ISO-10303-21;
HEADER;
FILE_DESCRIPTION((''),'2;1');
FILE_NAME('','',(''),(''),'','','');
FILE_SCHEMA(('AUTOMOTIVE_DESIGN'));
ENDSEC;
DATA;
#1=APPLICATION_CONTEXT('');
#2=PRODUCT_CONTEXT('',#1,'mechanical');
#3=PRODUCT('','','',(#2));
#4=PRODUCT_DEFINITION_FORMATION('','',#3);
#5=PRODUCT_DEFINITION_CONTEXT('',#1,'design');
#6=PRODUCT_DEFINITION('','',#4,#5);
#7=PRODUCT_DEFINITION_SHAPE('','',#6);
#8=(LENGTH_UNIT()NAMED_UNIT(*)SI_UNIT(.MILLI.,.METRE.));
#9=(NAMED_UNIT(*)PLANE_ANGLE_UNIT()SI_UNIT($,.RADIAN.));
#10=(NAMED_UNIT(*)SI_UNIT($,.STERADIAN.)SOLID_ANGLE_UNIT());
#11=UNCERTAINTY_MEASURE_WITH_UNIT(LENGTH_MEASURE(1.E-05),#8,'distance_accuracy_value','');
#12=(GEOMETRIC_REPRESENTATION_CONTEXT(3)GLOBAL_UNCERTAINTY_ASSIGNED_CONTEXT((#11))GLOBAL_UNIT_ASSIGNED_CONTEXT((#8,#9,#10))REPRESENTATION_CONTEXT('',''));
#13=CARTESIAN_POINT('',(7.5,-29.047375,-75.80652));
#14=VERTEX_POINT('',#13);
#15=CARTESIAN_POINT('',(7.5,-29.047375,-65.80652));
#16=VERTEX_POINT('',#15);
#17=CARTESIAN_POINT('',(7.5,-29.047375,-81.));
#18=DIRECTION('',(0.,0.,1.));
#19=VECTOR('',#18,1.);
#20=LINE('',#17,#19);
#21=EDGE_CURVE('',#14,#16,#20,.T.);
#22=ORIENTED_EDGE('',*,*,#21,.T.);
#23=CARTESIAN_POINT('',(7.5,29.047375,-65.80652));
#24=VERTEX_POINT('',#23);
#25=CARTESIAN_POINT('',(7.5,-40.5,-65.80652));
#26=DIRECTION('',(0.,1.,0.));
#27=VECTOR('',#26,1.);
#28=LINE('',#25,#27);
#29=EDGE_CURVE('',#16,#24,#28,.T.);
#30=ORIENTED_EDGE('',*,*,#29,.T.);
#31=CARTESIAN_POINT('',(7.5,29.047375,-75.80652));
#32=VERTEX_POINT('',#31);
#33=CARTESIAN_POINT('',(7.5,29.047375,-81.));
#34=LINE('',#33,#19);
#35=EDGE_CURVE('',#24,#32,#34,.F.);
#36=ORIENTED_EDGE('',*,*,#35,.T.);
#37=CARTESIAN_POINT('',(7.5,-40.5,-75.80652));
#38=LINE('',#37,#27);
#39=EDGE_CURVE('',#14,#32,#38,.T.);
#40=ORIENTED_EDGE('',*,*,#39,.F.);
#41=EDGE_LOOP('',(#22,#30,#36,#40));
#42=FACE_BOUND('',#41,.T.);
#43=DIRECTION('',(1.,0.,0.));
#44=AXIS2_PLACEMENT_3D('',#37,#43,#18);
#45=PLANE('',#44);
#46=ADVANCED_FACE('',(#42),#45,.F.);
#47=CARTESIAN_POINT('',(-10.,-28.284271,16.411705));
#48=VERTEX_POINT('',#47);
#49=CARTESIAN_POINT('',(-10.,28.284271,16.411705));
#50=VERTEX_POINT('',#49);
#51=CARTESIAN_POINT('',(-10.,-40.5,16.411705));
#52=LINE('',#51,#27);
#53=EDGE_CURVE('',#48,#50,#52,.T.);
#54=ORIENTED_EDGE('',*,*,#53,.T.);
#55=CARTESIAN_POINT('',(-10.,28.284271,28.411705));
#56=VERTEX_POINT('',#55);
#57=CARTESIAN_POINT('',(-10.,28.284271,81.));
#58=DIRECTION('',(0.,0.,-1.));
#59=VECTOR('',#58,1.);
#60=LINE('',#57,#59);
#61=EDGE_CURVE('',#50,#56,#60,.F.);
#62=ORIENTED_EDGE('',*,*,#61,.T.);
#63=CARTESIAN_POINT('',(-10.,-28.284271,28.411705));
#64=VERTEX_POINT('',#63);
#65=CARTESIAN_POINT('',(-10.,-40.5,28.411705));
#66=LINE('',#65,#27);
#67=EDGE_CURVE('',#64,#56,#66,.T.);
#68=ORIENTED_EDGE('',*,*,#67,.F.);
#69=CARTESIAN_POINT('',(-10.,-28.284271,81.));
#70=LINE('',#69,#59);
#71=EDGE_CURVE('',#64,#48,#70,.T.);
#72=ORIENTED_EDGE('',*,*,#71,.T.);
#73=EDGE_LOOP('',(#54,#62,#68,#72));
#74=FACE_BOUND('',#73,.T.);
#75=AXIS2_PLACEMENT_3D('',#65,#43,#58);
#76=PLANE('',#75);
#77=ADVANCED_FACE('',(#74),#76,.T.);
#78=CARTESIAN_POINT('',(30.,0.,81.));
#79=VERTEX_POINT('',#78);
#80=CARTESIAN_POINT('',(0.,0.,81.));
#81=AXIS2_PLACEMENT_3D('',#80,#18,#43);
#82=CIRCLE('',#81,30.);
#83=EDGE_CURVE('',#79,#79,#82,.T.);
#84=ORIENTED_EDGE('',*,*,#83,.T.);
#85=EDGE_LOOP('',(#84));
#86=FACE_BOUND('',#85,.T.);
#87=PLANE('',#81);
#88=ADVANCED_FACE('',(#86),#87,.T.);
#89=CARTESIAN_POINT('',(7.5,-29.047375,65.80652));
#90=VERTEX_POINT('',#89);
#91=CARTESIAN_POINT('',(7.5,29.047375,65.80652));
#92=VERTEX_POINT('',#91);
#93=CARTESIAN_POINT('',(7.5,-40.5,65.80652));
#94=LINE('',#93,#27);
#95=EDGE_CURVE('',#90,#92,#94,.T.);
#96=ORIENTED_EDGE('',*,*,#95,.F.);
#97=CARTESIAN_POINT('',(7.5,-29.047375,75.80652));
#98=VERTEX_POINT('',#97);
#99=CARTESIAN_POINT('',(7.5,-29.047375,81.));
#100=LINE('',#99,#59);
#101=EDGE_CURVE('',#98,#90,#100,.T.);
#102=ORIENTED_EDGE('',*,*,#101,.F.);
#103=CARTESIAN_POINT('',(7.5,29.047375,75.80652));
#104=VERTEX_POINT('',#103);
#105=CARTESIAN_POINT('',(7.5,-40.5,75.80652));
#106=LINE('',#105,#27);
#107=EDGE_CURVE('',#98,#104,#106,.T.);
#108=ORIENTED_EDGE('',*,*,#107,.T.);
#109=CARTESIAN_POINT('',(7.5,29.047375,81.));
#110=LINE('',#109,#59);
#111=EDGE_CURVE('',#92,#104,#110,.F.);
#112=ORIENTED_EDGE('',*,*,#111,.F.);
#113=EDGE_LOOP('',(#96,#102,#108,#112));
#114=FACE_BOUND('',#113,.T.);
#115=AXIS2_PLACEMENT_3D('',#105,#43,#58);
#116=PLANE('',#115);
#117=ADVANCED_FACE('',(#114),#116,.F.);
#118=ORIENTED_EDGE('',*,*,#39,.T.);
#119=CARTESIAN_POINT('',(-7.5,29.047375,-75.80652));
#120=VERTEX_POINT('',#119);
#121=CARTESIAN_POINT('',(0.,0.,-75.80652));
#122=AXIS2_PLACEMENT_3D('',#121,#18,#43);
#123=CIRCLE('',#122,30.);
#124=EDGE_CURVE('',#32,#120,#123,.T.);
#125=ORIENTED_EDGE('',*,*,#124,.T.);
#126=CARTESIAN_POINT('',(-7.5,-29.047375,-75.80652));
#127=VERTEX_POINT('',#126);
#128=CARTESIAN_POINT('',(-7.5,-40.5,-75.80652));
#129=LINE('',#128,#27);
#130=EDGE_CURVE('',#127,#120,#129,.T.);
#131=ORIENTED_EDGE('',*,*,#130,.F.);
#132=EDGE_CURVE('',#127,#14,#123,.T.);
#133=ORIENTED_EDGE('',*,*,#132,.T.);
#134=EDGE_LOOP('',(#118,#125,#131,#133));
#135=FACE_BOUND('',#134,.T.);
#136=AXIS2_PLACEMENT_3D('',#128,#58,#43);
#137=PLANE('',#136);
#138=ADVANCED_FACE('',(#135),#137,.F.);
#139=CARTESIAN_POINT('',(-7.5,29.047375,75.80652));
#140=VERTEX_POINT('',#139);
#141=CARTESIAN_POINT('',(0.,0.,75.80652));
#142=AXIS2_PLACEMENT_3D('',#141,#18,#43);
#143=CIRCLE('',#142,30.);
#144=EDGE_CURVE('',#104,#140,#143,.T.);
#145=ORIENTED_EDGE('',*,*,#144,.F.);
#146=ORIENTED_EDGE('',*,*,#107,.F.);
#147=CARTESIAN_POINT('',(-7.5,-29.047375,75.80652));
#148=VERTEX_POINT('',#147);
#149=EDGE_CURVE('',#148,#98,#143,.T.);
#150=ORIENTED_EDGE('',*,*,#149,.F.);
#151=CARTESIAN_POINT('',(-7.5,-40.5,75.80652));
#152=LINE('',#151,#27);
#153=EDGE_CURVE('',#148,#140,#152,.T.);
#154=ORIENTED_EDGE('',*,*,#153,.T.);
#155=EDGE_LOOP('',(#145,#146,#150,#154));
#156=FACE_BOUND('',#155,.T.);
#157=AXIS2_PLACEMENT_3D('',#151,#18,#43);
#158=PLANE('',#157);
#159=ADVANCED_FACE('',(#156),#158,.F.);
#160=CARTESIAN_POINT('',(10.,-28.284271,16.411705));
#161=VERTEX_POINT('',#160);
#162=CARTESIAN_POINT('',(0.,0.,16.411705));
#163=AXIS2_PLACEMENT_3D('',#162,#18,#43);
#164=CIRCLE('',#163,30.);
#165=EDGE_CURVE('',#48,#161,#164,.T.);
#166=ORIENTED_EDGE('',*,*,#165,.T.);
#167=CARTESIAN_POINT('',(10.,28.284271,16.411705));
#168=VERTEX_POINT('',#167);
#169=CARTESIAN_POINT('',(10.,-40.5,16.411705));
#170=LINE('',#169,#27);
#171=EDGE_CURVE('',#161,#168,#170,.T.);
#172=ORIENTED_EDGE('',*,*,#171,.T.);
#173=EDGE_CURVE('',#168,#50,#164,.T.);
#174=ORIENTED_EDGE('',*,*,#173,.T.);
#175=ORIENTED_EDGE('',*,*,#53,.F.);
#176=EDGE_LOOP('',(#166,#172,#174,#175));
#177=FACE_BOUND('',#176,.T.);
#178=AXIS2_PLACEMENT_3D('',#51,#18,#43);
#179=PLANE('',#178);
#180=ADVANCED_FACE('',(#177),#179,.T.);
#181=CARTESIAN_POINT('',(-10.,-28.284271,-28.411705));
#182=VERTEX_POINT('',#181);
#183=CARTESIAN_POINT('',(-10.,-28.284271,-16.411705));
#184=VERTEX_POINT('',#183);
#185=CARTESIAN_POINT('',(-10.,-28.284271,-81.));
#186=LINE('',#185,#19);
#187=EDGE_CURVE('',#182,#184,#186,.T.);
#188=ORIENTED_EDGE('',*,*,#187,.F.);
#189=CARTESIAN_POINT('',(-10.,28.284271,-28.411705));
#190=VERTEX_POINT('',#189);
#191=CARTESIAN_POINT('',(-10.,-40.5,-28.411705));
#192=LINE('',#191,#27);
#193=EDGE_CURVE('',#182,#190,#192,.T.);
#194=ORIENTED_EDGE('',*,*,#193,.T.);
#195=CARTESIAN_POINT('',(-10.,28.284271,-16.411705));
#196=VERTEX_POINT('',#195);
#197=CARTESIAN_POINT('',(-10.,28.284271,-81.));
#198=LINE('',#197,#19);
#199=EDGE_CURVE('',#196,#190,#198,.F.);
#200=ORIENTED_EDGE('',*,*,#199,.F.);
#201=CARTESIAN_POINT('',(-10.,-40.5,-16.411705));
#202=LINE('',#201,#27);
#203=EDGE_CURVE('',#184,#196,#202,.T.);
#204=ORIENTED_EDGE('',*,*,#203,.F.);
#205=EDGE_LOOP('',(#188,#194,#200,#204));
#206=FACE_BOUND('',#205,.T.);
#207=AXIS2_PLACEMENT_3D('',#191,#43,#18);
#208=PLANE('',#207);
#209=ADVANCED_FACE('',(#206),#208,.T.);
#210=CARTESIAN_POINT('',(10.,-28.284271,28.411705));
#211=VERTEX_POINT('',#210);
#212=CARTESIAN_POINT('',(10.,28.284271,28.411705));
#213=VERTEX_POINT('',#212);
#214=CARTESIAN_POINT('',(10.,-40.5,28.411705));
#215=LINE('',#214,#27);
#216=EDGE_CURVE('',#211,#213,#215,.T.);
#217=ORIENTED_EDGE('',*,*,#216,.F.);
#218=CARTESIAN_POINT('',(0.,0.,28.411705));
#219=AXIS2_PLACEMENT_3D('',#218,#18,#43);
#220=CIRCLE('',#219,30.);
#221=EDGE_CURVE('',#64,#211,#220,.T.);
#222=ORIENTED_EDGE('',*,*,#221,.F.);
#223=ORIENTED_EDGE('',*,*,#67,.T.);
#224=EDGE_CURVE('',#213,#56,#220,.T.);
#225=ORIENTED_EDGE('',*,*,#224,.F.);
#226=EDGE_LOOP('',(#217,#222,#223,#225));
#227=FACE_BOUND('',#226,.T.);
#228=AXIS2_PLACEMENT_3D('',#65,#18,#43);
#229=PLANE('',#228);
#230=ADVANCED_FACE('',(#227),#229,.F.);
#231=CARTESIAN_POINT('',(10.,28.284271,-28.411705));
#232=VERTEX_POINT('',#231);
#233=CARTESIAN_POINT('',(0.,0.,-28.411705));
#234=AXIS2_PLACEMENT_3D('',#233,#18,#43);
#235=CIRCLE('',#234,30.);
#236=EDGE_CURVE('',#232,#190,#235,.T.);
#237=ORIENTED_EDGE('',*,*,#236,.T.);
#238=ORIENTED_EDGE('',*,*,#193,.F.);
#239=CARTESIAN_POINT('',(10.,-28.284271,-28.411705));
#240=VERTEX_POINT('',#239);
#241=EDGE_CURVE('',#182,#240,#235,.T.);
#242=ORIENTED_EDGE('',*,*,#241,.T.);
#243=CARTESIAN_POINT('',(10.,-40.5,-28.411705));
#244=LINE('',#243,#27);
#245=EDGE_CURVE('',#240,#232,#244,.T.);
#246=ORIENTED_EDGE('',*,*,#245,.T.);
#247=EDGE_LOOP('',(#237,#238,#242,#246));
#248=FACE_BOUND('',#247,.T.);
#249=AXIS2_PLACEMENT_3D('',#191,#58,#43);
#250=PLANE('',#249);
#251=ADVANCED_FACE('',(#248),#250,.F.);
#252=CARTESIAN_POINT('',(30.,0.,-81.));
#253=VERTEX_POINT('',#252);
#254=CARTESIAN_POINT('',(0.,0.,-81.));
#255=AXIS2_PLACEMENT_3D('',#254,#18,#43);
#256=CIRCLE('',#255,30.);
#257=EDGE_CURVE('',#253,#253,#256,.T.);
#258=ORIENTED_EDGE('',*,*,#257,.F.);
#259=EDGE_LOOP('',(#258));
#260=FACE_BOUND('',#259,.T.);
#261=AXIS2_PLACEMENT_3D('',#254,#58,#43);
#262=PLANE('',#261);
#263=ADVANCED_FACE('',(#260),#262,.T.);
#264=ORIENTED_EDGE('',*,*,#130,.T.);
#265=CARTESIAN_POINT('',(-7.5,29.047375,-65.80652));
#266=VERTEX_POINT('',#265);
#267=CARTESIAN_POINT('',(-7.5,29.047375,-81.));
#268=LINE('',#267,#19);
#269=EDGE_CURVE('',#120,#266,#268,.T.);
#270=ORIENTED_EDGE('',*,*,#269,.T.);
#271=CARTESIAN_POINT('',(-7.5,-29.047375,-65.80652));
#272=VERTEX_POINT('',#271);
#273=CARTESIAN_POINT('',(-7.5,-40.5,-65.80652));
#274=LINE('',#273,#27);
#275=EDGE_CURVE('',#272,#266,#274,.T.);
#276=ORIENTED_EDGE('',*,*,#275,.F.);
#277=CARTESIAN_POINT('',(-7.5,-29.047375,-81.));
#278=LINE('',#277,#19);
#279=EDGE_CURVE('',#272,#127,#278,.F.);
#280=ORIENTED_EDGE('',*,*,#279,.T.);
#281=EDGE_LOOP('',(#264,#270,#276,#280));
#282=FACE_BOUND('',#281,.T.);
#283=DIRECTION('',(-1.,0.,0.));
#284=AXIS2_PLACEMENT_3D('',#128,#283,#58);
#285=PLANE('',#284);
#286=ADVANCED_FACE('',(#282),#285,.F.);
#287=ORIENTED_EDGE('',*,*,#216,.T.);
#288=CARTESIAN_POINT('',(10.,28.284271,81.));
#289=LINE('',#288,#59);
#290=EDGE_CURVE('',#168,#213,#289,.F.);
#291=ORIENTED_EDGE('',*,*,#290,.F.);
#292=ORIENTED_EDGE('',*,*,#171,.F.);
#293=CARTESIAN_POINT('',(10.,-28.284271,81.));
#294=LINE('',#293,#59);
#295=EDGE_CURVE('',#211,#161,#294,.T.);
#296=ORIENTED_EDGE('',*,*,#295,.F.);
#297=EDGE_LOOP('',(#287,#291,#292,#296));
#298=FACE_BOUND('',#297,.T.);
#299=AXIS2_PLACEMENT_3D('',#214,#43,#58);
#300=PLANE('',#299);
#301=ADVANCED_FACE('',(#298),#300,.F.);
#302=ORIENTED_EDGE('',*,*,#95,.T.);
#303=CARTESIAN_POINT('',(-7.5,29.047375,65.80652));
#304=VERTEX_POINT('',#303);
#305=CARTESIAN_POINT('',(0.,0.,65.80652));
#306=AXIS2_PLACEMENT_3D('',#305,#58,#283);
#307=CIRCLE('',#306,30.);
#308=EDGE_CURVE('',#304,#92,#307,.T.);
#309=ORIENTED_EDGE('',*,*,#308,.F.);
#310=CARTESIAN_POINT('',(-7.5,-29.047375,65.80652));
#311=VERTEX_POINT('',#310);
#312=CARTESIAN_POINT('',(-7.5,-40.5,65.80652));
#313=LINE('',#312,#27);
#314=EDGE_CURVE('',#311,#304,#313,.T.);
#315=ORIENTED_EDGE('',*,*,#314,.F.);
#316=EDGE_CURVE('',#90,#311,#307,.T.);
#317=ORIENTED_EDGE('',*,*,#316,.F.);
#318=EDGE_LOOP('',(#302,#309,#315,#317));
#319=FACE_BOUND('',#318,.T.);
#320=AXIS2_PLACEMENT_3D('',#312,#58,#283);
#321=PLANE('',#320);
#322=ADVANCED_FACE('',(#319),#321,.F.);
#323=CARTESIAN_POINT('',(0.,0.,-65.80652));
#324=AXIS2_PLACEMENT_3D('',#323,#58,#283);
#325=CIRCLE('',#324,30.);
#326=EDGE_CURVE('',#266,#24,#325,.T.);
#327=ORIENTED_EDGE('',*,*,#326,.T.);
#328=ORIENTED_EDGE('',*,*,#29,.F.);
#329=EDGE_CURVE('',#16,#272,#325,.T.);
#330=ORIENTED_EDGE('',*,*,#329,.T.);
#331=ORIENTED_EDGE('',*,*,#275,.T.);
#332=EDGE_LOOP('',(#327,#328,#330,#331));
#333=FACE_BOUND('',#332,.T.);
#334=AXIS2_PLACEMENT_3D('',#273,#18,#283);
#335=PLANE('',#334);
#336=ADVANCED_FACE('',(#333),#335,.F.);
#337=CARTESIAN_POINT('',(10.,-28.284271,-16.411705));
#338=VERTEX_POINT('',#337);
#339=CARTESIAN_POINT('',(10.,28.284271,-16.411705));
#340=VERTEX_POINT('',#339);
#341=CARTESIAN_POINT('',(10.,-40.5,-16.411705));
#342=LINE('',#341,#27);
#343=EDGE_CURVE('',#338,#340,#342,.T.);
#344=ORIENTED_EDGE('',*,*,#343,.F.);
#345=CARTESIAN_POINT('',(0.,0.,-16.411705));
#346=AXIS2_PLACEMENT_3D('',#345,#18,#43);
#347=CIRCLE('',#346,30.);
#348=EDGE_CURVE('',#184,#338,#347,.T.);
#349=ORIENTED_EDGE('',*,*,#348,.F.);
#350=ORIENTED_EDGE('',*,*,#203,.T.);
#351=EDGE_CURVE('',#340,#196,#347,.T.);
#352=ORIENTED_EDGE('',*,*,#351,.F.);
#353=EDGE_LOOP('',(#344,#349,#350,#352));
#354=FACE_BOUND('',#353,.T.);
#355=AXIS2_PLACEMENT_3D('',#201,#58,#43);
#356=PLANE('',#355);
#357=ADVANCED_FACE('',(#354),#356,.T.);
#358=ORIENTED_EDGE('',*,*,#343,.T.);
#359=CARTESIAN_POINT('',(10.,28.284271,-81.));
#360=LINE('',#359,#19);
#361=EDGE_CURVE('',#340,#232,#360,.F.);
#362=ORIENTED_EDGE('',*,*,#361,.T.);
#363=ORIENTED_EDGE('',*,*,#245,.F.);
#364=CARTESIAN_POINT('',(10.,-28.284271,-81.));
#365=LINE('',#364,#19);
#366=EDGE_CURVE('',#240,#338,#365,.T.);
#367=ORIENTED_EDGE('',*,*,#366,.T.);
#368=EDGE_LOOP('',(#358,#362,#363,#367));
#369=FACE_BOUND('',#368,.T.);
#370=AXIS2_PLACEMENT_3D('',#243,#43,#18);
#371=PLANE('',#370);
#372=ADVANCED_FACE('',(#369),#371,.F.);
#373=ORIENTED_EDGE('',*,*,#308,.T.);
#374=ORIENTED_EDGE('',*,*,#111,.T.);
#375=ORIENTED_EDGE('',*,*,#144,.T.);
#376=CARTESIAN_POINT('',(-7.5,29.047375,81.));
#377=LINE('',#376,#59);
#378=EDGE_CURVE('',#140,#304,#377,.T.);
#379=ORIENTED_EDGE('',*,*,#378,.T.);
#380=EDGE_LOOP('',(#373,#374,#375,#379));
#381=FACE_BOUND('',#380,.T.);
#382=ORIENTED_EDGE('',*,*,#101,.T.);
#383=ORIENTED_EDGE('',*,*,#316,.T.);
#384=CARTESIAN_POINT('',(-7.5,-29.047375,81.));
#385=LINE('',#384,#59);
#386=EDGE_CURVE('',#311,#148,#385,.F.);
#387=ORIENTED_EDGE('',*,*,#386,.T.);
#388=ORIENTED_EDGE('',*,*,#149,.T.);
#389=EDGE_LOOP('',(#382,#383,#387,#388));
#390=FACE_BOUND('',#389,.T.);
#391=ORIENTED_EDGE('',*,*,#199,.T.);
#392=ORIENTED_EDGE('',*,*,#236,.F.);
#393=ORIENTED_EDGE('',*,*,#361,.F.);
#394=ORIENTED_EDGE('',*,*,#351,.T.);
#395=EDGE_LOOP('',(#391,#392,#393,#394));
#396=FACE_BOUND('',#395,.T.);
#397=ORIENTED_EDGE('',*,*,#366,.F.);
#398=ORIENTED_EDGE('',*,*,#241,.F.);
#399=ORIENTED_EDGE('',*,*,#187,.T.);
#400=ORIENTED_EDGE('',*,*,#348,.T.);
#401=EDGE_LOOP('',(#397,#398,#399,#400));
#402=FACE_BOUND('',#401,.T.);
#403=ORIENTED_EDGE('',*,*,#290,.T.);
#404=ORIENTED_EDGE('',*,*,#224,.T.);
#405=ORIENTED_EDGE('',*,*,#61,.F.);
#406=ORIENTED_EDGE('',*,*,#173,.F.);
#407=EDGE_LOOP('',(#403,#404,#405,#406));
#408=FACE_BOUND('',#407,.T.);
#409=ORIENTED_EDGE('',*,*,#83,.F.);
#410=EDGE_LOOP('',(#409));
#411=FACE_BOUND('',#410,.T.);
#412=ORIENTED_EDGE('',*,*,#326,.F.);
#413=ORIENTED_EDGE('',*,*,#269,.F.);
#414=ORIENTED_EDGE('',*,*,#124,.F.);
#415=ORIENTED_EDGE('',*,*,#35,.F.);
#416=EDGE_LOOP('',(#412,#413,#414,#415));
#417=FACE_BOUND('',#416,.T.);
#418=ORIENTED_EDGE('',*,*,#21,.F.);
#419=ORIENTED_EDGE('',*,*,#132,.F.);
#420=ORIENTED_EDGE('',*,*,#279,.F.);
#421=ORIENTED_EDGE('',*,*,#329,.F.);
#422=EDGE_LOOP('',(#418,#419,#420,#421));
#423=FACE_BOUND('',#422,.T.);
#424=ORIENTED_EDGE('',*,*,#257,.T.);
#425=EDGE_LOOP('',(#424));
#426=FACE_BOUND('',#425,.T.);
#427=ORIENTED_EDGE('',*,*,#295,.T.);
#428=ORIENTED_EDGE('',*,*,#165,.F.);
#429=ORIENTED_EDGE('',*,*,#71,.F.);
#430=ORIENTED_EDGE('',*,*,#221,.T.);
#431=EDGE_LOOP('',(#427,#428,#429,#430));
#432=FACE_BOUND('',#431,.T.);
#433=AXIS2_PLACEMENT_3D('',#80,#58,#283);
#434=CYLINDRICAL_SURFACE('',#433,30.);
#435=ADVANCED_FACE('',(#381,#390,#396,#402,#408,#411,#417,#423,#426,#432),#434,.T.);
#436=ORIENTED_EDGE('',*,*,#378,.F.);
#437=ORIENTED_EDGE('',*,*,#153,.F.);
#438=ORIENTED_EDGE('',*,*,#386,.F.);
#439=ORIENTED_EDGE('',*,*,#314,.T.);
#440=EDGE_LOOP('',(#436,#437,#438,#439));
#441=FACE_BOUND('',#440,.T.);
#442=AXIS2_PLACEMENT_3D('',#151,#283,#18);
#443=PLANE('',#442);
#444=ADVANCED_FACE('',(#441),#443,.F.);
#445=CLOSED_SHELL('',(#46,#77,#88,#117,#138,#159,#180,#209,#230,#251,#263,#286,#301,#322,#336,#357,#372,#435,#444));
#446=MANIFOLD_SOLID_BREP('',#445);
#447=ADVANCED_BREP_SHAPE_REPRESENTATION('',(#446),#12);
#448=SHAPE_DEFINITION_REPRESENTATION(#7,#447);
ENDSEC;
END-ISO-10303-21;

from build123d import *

# Parameters (mm, degrees)
SKETCH1_R           = 30
BOSS_EXTRUDE6_DEPTH = 81
SKETCH3_W           = 20
SKETCH3_H           = 12
CUT_EXTRUDE1_DEPTH  = 40.5
SKETCH4_W           = 15
SKETCH4_H           = 10
CUT_EXTRUDE2_DEPTH  = 40.5


with BuildPart() as part:
    # Sketch1 → Boss-Extrude6 (new body)
    with BuildSketch(Plane.XY):
        Circle(SKETCH1_R)
    extrude(amount=BOSS_EXTRUDE6_DEPTH)

    # Sketch3 → Cut-Extrude1 (cut, symmetric)
    with BuildSketch(Plane(origin=(0, 0, 0), x_dir=(1, 0, 0), z_dir=(0, 1, 0))):
        with Locations((0, -22.411705079)):
            Rectangle(SKETCH3_W, SKETCH3_H)
    extrude(amount=CUT_EXTRUDE1_DEPTH, both=True, mode=Mode.SUBTRACT)

    # Sketch4 → Cut-Extrude2 (cut, symmetric)
    with BuildSketch(Plane(origin=(0, 0, 0), x_dir=(1, 0, 0), z_dir=(0, 1, 0))):
        with Locations((0, -70.806519959)):
            Rectangle(SKETCH4_W, SKETCH4_H)
    extrude(amount=CUT_EXTRUDE2_DEPTH, both=True, mode=Mode.SUBTRACT)

    # Mirror1: part across plane


with BuildPart() as part_1:
    add(part.part)
    add(part.part.mirror(Plane.XY))


solid = part_1.part
